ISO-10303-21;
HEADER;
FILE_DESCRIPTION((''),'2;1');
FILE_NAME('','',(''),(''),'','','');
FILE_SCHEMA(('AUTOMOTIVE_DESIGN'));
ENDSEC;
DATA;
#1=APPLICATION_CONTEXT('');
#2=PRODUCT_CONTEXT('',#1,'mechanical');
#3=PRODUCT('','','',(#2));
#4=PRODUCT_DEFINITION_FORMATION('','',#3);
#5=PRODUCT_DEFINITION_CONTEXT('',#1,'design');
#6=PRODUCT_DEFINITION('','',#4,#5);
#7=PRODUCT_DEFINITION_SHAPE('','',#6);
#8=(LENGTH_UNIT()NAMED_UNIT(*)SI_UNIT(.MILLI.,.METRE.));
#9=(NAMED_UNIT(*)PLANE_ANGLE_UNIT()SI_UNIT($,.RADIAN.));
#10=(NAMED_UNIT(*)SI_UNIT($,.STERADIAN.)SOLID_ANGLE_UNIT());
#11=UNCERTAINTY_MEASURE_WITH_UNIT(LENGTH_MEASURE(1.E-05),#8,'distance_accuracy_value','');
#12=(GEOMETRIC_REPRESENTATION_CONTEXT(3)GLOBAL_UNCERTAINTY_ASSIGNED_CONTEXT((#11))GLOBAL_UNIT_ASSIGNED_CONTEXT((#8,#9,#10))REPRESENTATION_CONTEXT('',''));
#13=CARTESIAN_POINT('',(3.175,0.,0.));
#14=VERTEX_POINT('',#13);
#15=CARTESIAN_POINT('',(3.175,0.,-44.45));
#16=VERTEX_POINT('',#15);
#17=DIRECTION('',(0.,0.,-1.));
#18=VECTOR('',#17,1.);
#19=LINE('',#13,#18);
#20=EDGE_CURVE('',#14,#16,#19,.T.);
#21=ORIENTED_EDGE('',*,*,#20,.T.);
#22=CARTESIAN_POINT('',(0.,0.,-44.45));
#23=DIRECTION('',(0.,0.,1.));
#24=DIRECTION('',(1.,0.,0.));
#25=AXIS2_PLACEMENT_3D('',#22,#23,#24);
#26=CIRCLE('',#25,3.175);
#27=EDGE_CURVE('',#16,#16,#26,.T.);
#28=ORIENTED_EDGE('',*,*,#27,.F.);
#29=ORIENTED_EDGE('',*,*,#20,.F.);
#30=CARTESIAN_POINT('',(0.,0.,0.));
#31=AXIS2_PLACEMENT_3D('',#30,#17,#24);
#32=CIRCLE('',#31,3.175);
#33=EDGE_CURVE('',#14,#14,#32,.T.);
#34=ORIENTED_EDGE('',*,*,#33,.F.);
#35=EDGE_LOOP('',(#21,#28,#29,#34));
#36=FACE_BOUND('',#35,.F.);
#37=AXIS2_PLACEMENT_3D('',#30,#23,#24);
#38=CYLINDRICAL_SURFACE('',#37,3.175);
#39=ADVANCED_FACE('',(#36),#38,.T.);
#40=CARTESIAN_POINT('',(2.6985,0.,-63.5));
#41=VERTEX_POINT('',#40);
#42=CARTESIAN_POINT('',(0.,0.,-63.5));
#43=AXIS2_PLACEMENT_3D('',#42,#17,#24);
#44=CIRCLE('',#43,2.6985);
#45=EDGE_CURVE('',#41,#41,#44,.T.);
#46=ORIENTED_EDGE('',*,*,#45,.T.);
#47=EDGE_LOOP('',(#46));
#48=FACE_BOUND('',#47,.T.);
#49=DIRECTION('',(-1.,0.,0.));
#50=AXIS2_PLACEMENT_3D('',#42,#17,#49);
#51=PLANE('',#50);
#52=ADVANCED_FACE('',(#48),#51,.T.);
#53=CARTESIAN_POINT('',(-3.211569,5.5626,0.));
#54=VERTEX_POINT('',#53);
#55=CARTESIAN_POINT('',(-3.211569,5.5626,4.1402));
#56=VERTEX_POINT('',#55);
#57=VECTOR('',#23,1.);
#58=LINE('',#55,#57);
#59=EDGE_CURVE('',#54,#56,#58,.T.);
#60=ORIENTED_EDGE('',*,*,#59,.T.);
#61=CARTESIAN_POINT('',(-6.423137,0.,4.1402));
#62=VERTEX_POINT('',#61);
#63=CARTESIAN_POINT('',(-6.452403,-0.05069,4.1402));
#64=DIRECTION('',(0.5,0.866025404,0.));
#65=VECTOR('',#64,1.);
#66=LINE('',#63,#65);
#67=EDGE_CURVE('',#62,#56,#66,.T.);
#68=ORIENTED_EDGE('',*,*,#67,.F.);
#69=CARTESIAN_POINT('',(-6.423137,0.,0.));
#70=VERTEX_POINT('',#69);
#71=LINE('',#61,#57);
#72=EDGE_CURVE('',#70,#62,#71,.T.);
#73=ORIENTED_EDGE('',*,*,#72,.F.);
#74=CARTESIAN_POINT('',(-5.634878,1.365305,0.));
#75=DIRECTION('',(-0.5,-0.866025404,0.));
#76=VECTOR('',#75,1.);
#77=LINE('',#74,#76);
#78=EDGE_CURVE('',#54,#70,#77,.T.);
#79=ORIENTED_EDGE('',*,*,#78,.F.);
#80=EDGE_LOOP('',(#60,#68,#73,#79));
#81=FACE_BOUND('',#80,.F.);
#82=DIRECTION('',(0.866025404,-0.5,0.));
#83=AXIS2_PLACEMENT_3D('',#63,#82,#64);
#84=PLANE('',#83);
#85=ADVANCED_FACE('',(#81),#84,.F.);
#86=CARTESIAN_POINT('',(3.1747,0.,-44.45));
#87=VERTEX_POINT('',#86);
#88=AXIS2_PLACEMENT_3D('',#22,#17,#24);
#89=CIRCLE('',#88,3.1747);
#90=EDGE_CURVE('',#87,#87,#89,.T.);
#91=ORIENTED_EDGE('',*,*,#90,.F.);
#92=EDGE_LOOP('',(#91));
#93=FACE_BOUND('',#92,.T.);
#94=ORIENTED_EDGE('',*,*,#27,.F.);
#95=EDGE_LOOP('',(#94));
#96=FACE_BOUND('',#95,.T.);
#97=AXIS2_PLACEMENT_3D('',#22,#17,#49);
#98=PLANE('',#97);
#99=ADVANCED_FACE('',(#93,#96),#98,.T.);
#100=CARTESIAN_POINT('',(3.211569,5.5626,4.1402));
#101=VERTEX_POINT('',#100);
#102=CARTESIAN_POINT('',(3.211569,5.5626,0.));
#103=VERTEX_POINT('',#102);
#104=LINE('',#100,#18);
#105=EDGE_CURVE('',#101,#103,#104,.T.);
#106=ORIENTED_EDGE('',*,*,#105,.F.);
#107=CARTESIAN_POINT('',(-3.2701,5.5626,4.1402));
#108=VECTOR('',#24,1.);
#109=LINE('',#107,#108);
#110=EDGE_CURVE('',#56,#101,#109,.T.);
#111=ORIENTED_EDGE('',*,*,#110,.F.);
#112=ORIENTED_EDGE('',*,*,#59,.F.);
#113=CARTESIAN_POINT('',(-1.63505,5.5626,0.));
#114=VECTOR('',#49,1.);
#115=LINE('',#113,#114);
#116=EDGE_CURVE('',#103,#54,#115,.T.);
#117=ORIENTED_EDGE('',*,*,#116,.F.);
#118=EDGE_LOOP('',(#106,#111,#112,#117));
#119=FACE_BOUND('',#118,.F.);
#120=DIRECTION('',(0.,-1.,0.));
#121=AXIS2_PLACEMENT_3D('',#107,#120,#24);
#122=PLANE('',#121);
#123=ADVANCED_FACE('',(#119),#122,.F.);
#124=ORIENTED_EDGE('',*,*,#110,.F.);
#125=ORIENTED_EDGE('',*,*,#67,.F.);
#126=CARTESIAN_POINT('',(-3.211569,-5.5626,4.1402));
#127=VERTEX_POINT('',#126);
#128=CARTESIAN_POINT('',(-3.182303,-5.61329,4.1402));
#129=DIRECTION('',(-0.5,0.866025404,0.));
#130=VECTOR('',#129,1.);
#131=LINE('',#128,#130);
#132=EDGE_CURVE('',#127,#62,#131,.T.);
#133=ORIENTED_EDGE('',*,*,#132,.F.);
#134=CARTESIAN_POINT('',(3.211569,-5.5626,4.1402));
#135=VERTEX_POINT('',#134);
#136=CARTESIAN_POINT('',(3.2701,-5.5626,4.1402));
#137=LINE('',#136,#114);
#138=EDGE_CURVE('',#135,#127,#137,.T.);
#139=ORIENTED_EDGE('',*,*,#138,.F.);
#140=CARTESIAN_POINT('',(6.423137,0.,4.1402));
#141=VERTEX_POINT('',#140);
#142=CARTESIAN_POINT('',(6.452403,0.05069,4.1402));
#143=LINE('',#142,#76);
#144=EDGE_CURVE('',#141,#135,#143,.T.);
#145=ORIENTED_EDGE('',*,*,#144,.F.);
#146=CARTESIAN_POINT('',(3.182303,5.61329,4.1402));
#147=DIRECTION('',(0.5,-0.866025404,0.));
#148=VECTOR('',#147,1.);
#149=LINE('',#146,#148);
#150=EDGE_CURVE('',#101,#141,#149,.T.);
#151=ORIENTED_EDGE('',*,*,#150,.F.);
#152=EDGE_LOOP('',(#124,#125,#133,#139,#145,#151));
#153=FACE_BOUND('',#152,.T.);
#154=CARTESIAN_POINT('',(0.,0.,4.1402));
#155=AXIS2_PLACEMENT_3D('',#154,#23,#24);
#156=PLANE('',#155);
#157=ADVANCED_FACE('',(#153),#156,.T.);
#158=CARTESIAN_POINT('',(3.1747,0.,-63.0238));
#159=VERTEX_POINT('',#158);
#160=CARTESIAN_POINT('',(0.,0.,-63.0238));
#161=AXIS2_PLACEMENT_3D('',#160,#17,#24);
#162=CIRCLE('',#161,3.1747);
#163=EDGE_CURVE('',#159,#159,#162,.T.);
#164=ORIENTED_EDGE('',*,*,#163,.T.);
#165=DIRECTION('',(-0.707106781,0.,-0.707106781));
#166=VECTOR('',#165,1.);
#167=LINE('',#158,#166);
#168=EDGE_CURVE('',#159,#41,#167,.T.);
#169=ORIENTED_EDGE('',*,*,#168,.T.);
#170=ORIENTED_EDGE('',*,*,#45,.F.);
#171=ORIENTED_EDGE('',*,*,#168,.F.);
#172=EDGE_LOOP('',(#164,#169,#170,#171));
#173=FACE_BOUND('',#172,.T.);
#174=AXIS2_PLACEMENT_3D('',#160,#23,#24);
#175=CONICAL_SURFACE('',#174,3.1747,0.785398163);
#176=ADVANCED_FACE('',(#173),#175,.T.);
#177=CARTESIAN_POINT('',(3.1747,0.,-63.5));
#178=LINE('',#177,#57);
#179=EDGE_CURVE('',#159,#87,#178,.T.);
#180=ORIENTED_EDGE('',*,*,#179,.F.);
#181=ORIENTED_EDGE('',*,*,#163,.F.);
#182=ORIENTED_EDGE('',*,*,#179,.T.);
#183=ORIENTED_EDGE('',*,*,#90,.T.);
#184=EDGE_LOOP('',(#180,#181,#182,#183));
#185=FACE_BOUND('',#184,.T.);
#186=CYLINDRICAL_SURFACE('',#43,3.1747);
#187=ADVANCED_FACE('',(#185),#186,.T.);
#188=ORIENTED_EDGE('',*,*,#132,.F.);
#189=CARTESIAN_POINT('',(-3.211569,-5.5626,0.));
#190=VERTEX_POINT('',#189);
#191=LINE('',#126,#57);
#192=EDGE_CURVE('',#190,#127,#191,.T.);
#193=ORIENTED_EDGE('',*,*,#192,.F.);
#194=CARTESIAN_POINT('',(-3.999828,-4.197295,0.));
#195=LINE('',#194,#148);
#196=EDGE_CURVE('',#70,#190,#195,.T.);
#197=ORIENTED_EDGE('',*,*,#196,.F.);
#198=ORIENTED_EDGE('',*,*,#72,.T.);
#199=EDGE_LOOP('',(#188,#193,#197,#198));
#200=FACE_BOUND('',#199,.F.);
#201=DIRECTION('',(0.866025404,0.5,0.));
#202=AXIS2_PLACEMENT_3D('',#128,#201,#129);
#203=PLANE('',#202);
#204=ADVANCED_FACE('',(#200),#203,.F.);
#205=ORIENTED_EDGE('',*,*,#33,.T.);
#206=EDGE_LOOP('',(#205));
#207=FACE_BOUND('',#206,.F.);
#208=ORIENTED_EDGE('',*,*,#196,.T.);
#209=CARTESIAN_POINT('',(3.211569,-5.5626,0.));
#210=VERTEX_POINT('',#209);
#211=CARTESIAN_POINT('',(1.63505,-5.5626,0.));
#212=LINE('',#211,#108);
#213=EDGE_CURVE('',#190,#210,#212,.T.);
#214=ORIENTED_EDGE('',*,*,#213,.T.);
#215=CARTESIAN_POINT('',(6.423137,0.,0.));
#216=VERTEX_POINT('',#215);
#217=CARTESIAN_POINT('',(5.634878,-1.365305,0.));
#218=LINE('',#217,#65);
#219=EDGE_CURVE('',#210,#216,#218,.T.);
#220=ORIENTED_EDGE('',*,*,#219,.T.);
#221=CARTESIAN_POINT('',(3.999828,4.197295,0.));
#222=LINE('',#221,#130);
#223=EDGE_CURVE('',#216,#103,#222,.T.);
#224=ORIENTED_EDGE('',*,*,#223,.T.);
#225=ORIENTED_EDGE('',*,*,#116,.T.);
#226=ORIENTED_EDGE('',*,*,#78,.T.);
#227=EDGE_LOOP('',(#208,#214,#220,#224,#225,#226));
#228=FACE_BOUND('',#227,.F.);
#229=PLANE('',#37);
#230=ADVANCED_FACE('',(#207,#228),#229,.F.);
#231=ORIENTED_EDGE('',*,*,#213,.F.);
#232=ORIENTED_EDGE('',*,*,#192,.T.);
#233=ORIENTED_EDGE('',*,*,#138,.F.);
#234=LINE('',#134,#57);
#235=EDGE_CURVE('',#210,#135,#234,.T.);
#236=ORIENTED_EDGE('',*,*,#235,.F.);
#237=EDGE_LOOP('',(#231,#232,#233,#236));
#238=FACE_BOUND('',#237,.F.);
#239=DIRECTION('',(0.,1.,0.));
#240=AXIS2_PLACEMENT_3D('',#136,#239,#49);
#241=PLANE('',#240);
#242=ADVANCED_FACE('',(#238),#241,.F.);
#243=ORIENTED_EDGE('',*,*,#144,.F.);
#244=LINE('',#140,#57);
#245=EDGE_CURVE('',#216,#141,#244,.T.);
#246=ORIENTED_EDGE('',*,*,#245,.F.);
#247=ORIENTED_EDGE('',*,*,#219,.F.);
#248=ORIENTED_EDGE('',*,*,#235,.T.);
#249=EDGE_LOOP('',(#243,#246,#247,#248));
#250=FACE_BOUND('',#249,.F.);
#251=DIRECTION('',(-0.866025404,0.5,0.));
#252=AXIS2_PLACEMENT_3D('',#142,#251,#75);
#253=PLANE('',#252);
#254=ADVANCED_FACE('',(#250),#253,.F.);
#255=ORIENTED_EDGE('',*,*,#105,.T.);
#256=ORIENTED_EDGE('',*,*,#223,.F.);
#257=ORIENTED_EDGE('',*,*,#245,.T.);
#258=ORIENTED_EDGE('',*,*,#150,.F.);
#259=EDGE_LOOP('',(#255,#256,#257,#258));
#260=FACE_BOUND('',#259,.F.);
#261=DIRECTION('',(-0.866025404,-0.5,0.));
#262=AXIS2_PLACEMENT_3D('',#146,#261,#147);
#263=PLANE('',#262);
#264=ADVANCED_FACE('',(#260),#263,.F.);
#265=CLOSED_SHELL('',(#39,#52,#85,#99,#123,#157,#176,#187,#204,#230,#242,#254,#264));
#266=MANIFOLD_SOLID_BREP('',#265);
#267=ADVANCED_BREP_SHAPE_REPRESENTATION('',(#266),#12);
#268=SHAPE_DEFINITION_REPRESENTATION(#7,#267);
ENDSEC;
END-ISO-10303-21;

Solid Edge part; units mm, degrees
sketch "Sketch1" plane through (0, 0, 0) normal (0, 0, 1) x (1, 0, 0)
  circle A0 centre (0, 0) radius 6.4526
  dimension "D1" = 12.9052
extrude "Protrusion1" add sketch "Sketch1" along normal blind 4.1402
sketch "Sketch2" plane through (0, 0, 0) normal (0, 0, -1) x (1, 0, 0)
  circle A0 centre (0, 0) radius 3.175
extrude "Protrusion2" add sketch "Sketch2" along normal blind 63.5
sketch "Sketch3" plane through (0, 0, -63.5) normal (0, 0, -1) x (1, 0, 0)
  circle A0 centre (0, 0) radius 3.1747
extrude "Cutout1" cut sketch "Sketch3" against normal blind 19.05 flip side to cut
chamfer "Chamfer_1" distance 0.4762 angle 45 1 edges at (-3.1747, 0, -63.5)
sketch "Sketch4" plane through (0, 0, 4.1402) normal (0, 0, 1) x (1, 0, 0)
  line L0 (-3.2701, 5.5626) -> (3.2701, 5.5626)
  dimension "D1" = 11.1252
extrude "Cutout2" cut sketch "Sketch4" against normal up to next material side at (0, 5.6126, 4.1402)
pattern_circular "Pattern1" count 6 over 360 about axis through (0, 0, 4.1402) along (0, 0, 1) of "Cutout2"
properties part number "24100005"
